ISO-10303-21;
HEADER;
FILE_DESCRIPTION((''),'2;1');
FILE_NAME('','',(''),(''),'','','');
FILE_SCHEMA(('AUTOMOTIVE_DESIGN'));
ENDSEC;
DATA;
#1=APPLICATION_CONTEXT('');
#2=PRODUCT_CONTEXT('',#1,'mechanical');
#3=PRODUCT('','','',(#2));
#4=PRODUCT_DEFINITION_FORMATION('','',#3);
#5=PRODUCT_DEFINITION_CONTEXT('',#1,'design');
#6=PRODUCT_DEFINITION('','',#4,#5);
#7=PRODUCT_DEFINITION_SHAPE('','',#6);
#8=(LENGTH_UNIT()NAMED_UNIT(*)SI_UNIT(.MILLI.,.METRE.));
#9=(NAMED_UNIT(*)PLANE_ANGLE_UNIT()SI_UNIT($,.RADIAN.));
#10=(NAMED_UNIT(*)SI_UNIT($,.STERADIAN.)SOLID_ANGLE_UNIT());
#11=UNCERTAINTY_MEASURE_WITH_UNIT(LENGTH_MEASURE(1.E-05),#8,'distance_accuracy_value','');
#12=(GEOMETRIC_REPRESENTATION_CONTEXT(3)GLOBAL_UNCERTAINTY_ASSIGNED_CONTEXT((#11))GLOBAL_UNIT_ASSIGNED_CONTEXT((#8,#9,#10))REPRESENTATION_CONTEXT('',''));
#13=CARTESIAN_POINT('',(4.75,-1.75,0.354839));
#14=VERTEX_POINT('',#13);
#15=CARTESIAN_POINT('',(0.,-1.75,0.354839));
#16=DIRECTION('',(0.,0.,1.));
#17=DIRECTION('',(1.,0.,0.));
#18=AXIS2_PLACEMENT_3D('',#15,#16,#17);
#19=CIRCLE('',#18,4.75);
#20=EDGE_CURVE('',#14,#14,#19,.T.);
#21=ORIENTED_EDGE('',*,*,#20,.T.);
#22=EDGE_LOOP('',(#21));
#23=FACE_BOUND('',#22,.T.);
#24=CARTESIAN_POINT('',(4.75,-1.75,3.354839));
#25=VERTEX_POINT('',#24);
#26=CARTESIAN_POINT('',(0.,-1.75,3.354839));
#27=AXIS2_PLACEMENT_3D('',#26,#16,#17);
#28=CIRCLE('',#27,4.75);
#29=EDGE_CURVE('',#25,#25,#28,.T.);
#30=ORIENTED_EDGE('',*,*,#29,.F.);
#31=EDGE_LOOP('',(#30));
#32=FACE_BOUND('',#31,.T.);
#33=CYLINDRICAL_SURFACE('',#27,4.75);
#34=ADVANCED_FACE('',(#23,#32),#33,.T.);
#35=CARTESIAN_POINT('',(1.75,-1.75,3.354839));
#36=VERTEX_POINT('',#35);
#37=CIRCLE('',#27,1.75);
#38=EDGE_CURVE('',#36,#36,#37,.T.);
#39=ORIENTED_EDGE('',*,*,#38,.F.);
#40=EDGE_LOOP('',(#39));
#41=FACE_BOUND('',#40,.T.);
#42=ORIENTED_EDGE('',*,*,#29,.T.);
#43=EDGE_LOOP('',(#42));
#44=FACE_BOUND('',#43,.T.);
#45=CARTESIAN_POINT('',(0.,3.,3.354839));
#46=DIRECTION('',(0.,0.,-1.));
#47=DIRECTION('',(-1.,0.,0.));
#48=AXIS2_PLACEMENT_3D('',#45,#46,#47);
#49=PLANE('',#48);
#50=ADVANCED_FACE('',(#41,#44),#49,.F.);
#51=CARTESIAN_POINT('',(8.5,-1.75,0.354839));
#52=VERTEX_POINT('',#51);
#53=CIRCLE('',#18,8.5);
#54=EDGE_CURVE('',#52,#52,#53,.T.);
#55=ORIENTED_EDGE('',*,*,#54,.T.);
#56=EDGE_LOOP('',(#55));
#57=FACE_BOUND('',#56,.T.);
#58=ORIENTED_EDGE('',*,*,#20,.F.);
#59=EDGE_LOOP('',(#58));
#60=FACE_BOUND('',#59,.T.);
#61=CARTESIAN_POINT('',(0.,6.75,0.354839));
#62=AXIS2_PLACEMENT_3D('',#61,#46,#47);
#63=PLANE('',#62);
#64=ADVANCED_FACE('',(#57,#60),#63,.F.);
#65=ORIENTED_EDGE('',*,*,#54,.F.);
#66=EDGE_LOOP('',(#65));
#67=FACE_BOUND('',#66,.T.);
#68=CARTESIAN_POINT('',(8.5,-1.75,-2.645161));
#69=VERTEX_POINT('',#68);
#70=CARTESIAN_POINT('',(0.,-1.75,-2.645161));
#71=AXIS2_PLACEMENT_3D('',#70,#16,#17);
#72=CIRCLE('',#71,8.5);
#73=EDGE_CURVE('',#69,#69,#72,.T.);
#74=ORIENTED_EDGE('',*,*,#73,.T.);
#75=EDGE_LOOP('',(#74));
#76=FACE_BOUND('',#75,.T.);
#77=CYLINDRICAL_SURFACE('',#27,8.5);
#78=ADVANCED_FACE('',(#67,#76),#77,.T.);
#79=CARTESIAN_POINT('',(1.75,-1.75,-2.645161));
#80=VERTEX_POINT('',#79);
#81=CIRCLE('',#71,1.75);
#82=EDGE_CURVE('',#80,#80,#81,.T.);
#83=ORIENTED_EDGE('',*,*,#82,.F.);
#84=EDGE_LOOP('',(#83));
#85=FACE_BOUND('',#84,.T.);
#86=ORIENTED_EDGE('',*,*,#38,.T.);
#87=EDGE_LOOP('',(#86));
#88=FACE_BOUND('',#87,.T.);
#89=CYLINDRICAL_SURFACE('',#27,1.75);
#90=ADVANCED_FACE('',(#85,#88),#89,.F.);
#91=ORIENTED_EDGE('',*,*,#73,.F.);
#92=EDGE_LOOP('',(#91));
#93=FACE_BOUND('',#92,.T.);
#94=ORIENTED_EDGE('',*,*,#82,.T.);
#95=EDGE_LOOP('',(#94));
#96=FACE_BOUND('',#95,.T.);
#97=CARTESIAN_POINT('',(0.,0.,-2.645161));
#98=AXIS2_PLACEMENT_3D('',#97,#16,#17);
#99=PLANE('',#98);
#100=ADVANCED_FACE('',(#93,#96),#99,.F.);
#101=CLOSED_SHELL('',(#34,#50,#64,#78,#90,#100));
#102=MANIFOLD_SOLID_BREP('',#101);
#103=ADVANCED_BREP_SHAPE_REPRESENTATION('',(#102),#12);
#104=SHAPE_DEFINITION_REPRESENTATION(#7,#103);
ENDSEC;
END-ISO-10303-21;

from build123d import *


with BuildPart() as part:
    # Sketch1 → Revolve1 (revolve)
    with BuildSketch(Plane(origin=(0, 0, 0), x_dir=(0, 0, -1), z_dir=(1, 0, 0)), mode=Mode.PRIVATE) as revolve1_sk:
        Polygon((-3.35483871, 0), (2.64516129, 0), (2.64516129, 6.75), (-0.35483871, 6.75), (-0.35483871, 3), (-3.35483871, 3), align=None)
    revolve(revolve1_sk.sketch.rotate(Axis((0, -1.75, 3.35483871), (0, 0, -1)), 90), axis=Axis((0, -1.75, 3.35483871), (0, 0, -1)))


solid = part.part
